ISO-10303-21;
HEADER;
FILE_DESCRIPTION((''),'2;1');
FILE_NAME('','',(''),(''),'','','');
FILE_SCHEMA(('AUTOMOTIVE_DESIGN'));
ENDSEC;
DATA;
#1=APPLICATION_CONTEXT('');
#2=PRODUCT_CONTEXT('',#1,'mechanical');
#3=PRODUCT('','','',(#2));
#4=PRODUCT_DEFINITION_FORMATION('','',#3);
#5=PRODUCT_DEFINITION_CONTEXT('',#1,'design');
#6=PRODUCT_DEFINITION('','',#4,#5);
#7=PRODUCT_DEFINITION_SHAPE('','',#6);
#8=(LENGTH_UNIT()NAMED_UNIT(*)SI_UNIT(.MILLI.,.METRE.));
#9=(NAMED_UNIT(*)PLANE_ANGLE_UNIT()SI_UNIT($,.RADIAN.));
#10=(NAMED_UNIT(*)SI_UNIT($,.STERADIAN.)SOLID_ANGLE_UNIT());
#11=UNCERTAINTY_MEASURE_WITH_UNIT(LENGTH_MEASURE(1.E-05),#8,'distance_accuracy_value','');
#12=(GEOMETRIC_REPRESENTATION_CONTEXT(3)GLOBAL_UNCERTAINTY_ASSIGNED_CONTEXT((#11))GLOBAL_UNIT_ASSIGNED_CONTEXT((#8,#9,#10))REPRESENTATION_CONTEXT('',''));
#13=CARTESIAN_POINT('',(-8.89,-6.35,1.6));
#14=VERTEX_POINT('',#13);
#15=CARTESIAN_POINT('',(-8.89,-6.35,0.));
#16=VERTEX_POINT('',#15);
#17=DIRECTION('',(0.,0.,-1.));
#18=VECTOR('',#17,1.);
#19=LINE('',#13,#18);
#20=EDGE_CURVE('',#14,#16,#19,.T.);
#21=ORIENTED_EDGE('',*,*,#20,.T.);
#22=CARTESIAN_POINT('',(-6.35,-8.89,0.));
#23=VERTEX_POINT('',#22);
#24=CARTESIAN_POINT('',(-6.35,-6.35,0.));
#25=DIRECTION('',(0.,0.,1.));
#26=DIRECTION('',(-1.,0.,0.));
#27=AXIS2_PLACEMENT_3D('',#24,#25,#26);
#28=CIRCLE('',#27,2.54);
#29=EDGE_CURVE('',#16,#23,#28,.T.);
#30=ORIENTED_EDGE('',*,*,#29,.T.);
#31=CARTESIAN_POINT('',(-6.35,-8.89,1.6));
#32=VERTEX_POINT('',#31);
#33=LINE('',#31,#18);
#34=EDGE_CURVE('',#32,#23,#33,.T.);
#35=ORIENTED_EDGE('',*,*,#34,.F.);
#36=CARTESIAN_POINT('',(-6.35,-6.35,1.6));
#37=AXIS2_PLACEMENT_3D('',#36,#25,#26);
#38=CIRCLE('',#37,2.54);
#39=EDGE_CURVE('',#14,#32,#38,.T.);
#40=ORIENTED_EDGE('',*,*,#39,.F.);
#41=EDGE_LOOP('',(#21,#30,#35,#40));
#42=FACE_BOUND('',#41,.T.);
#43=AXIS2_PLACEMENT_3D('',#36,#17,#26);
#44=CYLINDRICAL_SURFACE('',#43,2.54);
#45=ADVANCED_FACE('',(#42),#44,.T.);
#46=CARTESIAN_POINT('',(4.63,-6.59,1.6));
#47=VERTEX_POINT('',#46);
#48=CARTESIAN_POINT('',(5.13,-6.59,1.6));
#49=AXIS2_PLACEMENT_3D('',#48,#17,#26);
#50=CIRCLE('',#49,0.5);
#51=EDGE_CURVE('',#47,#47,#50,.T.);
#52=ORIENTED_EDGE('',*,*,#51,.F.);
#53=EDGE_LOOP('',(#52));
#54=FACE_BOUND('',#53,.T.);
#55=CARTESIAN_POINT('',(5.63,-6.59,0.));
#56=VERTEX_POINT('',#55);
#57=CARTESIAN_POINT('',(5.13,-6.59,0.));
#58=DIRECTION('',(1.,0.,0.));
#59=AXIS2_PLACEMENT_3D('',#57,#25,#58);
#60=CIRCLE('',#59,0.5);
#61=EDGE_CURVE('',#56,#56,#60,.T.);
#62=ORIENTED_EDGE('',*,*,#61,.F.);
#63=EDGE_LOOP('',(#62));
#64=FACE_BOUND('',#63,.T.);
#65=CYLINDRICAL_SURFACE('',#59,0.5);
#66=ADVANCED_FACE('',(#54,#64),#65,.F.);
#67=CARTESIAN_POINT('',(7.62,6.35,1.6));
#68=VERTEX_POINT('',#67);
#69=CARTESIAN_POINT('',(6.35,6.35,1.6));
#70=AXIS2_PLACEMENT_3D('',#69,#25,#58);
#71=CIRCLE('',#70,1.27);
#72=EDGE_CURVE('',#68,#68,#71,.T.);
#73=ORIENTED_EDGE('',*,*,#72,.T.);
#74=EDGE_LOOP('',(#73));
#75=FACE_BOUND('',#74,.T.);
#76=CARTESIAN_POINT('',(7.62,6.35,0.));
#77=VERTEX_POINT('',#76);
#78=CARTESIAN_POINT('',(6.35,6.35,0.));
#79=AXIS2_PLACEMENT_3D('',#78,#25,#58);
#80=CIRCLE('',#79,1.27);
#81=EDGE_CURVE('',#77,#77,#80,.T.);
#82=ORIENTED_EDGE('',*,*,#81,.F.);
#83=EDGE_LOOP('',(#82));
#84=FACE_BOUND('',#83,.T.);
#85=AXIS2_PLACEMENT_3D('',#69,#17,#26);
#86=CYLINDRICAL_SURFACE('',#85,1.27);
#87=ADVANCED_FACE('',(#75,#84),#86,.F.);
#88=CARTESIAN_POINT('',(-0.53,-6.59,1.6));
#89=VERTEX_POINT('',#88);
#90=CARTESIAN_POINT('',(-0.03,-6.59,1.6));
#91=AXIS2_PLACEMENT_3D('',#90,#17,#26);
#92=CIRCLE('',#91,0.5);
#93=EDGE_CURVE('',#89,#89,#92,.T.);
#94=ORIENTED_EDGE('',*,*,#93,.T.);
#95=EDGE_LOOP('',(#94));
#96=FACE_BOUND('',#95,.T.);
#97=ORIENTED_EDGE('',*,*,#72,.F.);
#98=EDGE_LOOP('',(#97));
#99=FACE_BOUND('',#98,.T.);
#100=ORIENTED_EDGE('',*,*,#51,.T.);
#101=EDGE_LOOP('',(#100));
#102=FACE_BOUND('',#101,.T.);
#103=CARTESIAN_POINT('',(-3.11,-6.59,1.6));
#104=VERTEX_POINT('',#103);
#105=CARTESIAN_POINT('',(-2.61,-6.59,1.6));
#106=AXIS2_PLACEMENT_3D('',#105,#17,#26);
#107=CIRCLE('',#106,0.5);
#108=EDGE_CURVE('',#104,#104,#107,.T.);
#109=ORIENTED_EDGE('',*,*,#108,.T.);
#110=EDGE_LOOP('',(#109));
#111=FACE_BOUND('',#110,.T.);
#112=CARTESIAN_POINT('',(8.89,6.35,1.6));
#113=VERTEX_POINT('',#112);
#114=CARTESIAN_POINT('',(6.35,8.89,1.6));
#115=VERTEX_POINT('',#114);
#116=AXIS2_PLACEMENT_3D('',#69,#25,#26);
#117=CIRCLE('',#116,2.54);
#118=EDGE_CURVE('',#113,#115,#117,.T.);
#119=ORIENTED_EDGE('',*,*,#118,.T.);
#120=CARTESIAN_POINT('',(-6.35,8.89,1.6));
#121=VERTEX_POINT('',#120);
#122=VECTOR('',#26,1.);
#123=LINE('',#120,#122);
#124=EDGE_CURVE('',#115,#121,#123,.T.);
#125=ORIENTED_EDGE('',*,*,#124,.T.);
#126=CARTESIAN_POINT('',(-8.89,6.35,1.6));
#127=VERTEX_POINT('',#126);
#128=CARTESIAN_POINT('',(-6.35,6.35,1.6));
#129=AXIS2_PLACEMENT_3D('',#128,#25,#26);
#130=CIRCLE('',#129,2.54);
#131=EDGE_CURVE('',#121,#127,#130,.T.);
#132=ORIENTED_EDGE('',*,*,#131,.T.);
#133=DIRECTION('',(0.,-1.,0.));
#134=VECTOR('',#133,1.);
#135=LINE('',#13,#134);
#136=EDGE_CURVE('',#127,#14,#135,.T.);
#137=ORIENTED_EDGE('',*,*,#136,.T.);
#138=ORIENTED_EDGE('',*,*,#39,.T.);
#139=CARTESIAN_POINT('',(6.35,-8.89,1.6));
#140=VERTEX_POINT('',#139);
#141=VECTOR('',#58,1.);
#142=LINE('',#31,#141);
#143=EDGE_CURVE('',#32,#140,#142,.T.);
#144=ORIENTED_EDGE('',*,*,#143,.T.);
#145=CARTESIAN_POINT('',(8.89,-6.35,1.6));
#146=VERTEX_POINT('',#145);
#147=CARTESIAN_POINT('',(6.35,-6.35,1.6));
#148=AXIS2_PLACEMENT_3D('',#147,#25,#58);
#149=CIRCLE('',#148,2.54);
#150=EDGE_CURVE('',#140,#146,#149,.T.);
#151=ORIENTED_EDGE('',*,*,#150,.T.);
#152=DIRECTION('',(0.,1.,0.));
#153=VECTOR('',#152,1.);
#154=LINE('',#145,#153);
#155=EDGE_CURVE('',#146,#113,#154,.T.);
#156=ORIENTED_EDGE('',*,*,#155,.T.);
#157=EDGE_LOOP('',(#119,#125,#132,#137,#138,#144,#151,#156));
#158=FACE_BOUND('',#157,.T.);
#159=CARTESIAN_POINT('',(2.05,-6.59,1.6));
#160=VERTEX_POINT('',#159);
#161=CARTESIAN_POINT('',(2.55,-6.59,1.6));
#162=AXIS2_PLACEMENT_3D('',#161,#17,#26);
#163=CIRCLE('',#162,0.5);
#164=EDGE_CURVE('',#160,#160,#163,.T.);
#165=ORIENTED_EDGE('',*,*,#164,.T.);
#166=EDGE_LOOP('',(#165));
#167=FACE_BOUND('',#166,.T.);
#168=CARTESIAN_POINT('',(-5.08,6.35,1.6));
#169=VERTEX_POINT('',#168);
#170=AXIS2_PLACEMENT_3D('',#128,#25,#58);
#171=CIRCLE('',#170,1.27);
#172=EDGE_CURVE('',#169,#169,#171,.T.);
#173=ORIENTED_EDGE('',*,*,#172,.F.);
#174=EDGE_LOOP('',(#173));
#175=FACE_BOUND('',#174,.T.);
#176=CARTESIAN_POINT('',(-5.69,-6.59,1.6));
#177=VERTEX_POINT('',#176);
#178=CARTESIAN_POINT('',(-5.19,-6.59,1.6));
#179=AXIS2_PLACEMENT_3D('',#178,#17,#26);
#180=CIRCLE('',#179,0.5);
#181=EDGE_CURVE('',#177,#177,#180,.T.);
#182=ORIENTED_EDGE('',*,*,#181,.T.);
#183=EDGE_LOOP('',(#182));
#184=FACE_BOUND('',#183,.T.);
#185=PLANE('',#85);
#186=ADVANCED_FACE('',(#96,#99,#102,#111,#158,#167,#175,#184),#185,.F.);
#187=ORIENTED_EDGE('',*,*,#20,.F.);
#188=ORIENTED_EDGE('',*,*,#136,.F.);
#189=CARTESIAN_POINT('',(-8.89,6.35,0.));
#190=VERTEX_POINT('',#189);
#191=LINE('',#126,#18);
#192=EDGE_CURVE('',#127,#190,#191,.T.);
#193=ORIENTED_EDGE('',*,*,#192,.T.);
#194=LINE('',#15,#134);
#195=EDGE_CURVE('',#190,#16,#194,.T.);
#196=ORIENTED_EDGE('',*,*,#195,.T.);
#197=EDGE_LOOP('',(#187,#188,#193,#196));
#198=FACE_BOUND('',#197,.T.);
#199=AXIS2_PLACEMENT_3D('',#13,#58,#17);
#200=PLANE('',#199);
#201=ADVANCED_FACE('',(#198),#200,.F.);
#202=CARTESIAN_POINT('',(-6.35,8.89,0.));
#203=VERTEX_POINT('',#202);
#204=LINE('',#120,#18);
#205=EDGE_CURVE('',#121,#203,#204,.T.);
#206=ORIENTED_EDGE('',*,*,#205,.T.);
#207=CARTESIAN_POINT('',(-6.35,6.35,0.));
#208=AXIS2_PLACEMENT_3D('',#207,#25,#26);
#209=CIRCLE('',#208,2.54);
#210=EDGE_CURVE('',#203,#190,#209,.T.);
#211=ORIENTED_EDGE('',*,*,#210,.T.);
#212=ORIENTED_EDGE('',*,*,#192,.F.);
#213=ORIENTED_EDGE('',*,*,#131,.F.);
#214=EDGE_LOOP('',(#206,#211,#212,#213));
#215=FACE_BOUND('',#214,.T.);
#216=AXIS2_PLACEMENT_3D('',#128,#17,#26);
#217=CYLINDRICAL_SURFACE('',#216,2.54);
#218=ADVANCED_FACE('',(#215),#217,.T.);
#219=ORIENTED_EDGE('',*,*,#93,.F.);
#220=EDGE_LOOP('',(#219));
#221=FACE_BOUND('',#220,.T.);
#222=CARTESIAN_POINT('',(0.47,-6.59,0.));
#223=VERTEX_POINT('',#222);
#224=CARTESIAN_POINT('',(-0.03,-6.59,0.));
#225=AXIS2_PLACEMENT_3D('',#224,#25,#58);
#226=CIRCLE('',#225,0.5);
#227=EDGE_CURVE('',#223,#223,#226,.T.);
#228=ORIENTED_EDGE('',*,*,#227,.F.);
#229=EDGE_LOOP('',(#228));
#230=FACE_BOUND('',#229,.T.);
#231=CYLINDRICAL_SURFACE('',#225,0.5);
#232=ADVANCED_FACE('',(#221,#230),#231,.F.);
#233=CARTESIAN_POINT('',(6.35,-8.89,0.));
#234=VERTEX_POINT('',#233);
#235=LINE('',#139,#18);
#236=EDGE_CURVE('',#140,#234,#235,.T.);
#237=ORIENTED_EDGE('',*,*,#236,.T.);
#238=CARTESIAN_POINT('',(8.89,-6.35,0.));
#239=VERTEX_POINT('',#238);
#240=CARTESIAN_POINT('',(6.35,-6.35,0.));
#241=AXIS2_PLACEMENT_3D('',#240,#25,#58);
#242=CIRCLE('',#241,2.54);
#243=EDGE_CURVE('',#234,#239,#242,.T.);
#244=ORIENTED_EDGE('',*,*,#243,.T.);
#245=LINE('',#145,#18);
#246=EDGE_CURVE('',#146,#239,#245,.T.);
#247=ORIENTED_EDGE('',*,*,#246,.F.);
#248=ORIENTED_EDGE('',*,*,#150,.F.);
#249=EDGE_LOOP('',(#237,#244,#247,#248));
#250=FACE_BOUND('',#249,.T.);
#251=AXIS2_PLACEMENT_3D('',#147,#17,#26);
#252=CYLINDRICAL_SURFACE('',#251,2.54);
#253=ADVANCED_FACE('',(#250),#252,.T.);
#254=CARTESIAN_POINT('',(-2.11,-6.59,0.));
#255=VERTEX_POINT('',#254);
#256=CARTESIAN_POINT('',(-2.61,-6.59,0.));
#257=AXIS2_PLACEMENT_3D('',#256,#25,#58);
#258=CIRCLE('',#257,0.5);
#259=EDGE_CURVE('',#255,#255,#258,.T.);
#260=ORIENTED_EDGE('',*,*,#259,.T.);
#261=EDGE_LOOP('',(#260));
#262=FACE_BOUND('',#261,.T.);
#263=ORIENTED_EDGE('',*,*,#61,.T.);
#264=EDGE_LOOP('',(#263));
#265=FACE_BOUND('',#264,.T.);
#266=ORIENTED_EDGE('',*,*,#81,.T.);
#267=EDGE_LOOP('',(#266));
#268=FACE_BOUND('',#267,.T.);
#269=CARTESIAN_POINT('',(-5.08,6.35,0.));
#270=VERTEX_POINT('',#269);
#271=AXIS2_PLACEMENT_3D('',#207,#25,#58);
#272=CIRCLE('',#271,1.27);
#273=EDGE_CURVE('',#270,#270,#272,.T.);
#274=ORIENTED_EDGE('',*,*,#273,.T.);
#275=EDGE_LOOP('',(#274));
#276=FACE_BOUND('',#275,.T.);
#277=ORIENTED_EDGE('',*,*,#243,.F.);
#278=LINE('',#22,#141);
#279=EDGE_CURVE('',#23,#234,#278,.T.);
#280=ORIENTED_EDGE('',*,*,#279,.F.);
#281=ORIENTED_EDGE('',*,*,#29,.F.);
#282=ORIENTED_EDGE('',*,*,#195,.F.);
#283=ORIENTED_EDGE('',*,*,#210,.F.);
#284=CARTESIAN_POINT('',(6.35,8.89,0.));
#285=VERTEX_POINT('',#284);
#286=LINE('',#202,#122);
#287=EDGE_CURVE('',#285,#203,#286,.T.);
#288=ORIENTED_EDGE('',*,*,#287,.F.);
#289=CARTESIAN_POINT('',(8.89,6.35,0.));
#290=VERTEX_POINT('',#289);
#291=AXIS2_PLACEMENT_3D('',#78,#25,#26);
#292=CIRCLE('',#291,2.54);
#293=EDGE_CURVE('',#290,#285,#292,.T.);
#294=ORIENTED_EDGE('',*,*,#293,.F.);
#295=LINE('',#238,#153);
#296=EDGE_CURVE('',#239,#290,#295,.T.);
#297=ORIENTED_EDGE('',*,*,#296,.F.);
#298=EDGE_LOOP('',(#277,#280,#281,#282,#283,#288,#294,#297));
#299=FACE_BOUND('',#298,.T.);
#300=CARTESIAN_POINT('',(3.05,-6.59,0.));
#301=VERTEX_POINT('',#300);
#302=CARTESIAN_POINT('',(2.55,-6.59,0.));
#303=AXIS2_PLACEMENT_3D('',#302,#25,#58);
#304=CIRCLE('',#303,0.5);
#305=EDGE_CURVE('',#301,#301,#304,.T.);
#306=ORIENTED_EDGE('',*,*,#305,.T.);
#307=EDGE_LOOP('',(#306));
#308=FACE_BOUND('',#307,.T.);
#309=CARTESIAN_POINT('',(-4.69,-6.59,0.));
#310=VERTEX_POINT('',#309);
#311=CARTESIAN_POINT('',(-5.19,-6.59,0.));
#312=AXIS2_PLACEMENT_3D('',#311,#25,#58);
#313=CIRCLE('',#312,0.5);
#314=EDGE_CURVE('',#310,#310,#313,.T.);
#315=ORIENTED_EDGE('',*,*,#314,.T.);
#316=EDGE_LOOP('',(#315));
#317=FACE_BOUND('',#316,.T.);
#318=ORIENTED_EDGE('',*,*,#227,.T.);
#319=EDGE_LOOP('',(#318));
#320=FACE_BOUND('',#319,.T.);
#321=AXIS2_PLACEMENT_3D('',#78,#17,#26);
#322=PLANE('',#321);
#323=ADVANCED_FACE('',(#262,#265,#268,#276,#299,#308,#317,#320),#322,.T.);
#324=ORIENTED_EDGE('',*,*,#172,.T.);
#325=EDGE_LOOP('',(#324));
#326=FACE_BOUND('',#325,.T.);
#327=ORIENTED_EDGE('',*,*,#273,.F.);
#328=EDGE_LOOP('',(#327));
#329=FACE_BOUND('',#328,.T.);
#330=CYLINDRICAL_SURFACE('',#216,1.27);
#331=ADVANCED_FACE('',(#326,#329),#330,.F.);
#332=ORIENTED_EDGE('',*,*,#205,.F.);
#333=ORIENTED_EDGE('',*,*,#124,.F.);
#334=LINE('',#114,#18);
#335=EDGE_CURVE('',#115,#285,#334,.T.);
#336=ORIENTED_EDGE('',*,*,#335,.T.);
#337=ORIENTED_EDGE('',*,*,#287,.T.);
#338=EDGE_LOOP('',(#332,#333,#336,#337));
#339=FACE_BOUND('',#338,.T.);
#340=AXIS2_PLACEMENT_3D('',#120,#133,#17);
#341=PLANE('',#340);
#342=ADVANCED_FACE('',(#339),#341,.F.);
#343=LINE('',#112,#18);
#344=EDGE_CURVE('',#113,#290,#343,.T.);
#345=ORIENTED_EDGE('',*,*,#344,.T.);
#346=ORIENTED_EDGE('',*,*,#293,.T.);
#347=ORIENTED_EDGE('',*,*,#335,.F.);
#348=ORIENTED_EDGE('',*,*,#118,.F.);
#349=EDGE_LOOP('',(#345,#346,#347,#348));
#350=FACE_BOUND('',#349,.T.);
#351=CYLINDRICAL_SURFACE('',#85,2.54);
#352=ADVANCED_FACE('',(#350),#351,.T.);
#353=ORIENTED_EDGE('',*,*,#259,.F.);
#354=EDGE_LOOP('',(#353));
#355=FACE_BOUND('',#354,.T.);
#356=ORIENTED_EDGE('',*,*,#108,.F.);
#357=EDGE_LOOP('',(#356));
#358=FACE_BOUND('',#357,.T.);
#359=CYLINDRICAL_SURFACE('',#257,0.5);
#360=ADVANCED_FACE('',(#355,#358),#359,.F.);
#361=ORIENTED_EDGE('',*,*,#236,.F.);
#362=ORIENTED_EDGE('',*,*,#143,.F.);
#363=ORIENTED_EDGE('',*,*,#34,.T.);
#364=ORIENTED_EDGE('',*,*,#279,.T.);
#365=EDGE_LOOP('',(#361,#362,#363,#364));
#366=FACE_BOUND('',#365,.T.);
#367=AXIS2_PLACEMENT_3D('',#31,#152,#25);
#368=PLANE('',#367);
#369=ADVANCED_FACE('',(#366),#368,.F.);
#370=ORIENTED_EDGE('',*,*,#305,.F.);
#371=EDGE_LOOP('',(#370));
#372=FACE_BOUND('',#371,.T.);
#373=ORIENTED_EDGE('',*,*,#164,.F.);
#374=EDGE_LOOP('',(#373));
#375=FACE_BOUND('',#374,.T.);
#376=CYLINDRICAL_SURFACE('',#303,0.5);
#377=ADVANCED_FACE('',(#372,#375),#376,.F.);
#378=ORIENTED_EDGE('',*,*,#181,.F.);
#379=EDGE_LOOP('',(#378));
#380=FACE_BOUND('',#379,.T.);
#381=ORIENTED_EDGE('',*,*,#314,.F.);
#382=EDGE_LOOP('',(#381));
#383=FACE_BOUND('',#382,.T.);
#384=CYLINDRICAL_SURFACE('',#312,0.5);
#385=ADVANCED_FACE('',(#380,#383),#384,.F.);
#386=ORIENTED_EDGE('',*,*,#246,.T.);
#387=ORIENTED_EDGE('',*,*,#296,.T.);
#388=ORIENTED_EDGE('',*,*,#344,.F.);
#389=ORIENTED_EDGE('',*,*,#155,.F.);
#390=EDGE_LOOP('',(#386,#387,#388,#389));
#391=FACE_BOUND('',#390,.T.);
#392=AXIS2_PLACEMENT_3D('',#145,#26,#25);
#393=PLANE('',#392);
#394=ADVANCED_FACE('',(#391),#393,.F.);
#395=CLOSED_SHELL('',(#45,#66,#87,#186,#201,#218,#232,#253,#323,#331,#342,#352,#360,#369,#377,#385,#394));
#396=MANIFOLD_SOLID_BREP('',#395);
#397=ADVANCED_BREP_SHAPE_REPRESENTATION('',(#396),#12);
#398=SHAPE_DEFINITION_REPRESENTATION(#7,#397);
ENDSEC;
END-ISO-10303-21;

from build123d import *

# Parameters (mm, degrees)
SKETCH2_R               = 1.27
BOSS_EXTRUDE1_DEPTH     = 1.6
CUT_EXTRUDE1_DEPTH      = 13.673760294
CUT_EXTRUDE1_DEPTH_BACK = 13.673760294
SKETCH3_R               = 0.5


with BuildPart() as part:
    # Sketch2 → Boss-Extrude1 (new body)
    with BuildSketch(Plane.XY):
        with BuildLine():
            Line((-6.35, -8.89), (6.35, -8.89))
            ThreePointArc((6.35, -8.89), (8.146051224, -8.146051224), (8.89, -6.35))
            Line((8.89, -6.35), (8.89, 6.35))
            ThreePointArc((8.89, 6.35), (8.146051224, 8.146051224), (6.35, 8.89))
            Line((6.35, 8.89), (-6.35, 8.89))
            ThreePointArc((-6.35, 8.89), (-8.146051224, 8.146051224), (-8.89, 6.35))
            Line((-8.89, 6.35), (-8.89, -6.35))
            ThreePointArc((-8.89, -6.35), (-8.146051224, -8.146051224), (-6.35, -8.89))
        make_face()
        with Locations((-6.35, 6.35)):
            Circle(SKETCH2_R, mode=Mode.SUBTRACT)
        with Locations((6.35, 6.35)):
            Circle(SKETCH2_R, mode=Mode.SUBTRACT)
    extrude(amount=BOSS_EXTRUDE1_DEPTH)

    # Sketch3 → Cut-Extrude1 (cut, two sides: drawn at the far end of the back side and taken through both)
    with BuildSketch(Plane.XY.offset(1.6).offset(-CUT_EXTRUDE1_DEPTH_BACK)):
        with Locations((-5.19, -6.59)):
            Circle(SKETCH3_R)
        with Locations((-2.61, -6.59)):
            Circle(SKETCH3_R)
        with Locations((-0.03, -6.59)):
            Circle(SKETCH3_R)
        with Locations((2.55, -6.59)):
            Circle(SKETCH3_R)
        with Locations((5.13, -6.59)):
            Circle(SKETCH3_R)
    extrude(amount=CUT_EXTRUDE1_DEPTH + CUT_EXTRUDE1_DEPTH_BACK, mode=Mode.SUBTRACT)


solid = part.part
